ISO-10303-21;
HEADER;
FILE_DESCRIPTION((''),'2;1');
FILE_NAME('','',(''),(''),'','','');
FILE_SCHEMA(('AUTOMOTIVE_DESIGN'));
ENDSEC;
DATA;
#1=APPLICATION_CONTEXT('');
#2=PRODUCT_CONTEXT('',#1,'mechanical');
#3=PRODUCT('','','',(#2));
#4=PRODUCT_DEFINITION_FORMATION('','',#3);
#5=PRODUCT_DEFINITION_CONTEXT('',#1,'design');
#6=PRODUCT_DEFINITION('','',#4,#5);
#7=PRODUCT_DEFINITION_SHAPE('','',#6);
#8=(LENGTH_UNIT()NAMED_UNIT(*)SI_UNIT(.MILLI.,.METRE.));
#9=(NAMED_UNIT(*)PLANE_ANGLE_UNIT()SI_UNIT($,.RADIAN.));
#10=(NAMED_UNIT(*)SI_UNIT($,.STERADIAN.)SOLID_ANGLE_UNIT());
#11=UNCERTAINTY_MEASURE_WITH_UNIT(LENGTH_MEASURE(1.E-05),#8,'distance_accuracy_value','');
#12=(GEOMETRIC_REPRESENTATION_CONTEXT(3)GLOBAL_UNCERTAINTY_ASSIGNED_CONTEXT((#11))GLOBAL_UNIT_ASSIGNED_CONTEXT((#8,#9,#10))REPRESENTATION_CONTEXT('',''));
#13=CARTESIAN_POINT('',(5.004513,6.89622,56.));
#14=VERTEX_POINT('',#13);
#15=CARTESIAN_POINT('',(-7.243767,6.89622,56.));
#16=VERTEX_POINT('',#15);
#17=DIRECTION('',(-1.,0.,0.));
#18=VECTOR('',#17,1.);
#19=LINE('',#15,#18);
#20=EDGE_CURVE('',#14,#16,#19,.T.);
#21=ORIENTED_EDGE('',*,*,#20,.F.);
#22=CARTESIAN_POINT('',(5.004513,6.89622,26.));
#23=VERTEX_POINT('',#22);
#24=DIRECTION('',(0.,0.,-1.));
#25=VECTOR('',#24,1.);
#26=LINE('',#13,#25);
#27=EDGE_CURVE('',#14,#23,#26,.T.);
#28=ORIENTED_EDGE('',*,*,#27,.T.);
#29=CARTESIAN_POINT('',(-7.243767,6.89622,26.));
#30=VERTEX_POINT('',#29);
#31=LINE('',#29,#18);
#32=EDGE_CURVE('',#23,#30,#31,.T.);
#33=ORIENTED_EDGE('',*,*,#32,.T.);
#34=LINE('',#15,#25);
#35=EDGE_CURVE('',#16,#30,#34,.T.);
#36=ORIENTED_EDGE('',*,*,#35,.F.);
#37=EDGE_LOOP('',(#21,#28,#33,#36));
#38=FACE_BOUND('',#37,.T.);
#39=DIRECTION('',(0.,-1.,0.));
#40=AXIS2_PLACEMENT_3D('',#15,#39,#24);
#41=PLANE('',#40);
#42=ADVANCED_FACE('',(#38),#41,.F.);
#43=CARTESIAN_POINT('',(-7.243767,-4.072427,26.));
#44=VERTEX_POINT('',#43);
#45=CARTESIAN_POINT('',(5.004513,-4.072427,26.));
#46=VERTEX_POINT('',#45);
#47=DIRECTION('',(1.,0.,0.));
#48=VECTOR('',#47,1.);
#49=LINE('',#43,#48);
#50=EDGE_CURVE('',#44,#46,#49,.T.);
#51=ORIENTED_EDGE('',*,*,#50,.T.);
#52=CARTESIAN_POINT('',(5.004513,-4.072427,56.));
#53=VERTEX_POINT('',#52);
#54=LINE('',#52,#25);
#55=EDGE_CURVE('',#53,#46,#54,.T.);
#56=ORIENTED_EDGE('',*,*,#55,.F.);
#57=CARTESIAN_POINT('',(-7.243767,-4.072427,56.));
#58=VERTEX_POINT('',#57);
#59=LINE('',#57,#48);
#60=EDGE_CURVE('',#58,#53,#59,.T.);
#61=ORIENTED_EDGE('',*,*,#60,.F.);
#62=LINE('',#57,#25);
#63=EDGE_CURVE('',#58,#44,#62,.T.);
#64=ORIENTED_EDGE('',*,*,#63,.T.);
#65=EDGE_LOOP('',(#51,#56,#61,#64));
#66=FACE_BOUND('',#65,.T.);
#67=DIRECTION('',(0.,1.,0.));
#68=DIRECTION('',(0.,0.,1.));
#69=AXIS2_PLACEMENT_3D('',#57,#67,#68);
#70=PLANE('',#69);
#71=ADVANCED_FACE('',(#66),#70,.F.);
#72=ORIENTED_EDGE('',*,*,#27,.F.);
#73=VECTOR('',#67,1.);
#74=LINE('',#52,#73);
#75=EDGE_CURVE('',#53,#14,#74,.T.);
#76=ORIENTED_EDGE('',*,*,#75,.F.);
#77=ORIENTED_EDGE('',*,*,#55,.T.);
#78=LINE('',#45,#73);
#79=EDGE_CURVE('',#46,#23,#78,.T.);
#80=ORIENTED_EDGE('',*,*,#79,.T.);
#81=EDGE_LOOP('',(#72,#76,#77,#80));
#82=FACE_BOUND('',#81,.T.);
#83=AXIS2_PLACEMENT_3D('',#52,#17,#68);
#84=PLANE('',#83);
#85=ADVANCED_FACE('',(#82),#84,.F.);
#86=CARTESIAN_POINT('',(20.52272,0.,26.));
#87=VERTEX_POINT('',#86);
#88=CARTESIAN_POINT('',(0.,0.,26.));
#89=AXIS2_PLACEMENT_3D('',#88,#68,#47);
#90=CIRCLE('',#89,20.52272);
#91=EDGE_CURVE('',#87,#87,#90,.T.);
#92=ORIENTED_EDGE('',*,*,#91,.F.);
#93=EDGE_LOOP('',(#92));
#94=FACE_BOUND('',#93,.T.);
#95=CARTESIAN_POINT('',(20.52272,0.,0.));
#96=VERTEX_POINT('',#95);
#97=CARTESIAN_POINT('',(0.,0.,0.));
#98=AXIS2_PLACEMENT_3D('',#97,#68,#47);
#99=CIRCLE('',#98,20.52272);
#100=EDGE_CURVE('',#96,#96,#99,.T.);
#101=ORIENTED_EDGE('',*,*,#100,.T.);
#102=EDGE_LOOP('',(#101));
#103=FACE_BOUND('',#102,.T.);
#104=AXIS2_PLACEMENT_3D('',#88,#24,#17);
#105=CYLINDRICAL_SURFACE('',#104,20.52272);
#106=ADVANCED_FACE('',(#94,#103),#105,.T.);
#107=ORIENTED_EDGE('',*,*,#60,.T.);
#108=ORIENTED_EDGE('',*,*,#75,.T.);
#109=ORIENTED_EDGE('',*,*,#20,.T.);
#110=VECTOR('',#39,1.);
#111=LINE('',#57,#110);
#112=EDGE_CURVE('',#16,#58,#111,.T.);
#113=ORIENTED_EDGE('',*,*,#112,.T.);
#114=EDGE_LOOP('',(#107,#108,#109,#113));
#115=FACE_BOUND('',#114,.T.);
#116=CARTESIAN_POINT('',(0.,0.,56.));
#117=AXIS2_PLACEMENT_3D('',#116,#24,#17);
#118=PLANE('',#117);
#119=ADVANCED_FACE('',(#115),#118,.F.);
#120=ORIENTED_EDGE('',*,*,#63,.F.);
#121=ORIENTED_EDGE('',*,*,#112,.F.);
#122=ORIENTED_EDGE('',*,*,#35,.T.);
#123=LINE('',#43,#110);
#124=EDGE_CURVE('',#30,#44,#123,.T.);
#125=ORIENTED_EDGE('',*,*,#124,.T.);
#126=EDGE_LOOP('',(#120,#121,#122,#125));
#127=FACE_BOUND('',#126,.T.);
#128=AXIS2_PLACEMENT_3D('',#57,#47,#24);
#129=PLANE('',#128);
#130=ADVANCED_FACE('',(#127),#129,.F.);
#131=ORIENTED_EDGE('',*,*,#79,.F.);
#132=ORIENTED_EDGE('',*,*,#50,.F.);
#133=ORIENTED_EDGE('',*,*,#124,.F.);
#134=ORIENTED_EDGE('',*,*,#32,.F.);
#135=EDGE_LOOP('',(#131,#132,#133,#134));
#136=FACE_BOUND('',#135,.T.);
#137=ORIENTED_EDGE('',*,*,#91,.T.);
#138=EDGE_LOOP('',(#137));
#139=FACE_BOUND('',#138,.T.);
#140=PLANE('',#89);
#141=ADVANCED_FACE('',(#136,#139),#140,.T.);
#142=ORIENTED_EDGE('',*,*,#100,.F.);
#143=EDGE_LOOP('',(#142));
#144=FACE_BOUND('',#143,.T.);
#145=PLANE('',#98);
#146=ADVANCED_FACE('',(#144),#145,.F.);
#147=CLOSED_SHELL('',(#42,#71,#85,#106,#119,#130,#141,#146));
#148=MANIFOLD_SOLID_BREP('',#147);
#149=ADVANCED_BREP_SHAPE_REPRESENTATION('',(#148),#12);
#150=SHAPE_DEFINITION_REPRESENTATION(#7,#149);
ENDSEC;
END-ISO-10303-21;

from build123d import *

# Parameters (mm, degrees)
SKETCH1_R           = 20.522720043
BOSS_EXTRUDE1_DEPTH = 26
SKETCH2_W           = 12.248280036
SKETCH2_H           = 10.968646874
BOSS_EXTRUDE2_DEPTH = 30


with BuildPart() as part:
    # Sketch1 → Boss-Extrude1 (new body)
    with BuildSketch(Plane.XY):
        Circle(SKETCH1_R)
    extrude(amount=BOSS_EXTRUDE1_DEPTH)

    # Sketch2 → Boss-Extrude2 (add)
    with BuildSketch(Plane.XY.offset(26)):
        with Locations((-1.119626677, 1.411896592)):
            Rectangle(SKETCH2_W, SKETCH2_H)
    extrude(amount=BOSS_EXTRUDE2_DEPTH)


solid = part.part
